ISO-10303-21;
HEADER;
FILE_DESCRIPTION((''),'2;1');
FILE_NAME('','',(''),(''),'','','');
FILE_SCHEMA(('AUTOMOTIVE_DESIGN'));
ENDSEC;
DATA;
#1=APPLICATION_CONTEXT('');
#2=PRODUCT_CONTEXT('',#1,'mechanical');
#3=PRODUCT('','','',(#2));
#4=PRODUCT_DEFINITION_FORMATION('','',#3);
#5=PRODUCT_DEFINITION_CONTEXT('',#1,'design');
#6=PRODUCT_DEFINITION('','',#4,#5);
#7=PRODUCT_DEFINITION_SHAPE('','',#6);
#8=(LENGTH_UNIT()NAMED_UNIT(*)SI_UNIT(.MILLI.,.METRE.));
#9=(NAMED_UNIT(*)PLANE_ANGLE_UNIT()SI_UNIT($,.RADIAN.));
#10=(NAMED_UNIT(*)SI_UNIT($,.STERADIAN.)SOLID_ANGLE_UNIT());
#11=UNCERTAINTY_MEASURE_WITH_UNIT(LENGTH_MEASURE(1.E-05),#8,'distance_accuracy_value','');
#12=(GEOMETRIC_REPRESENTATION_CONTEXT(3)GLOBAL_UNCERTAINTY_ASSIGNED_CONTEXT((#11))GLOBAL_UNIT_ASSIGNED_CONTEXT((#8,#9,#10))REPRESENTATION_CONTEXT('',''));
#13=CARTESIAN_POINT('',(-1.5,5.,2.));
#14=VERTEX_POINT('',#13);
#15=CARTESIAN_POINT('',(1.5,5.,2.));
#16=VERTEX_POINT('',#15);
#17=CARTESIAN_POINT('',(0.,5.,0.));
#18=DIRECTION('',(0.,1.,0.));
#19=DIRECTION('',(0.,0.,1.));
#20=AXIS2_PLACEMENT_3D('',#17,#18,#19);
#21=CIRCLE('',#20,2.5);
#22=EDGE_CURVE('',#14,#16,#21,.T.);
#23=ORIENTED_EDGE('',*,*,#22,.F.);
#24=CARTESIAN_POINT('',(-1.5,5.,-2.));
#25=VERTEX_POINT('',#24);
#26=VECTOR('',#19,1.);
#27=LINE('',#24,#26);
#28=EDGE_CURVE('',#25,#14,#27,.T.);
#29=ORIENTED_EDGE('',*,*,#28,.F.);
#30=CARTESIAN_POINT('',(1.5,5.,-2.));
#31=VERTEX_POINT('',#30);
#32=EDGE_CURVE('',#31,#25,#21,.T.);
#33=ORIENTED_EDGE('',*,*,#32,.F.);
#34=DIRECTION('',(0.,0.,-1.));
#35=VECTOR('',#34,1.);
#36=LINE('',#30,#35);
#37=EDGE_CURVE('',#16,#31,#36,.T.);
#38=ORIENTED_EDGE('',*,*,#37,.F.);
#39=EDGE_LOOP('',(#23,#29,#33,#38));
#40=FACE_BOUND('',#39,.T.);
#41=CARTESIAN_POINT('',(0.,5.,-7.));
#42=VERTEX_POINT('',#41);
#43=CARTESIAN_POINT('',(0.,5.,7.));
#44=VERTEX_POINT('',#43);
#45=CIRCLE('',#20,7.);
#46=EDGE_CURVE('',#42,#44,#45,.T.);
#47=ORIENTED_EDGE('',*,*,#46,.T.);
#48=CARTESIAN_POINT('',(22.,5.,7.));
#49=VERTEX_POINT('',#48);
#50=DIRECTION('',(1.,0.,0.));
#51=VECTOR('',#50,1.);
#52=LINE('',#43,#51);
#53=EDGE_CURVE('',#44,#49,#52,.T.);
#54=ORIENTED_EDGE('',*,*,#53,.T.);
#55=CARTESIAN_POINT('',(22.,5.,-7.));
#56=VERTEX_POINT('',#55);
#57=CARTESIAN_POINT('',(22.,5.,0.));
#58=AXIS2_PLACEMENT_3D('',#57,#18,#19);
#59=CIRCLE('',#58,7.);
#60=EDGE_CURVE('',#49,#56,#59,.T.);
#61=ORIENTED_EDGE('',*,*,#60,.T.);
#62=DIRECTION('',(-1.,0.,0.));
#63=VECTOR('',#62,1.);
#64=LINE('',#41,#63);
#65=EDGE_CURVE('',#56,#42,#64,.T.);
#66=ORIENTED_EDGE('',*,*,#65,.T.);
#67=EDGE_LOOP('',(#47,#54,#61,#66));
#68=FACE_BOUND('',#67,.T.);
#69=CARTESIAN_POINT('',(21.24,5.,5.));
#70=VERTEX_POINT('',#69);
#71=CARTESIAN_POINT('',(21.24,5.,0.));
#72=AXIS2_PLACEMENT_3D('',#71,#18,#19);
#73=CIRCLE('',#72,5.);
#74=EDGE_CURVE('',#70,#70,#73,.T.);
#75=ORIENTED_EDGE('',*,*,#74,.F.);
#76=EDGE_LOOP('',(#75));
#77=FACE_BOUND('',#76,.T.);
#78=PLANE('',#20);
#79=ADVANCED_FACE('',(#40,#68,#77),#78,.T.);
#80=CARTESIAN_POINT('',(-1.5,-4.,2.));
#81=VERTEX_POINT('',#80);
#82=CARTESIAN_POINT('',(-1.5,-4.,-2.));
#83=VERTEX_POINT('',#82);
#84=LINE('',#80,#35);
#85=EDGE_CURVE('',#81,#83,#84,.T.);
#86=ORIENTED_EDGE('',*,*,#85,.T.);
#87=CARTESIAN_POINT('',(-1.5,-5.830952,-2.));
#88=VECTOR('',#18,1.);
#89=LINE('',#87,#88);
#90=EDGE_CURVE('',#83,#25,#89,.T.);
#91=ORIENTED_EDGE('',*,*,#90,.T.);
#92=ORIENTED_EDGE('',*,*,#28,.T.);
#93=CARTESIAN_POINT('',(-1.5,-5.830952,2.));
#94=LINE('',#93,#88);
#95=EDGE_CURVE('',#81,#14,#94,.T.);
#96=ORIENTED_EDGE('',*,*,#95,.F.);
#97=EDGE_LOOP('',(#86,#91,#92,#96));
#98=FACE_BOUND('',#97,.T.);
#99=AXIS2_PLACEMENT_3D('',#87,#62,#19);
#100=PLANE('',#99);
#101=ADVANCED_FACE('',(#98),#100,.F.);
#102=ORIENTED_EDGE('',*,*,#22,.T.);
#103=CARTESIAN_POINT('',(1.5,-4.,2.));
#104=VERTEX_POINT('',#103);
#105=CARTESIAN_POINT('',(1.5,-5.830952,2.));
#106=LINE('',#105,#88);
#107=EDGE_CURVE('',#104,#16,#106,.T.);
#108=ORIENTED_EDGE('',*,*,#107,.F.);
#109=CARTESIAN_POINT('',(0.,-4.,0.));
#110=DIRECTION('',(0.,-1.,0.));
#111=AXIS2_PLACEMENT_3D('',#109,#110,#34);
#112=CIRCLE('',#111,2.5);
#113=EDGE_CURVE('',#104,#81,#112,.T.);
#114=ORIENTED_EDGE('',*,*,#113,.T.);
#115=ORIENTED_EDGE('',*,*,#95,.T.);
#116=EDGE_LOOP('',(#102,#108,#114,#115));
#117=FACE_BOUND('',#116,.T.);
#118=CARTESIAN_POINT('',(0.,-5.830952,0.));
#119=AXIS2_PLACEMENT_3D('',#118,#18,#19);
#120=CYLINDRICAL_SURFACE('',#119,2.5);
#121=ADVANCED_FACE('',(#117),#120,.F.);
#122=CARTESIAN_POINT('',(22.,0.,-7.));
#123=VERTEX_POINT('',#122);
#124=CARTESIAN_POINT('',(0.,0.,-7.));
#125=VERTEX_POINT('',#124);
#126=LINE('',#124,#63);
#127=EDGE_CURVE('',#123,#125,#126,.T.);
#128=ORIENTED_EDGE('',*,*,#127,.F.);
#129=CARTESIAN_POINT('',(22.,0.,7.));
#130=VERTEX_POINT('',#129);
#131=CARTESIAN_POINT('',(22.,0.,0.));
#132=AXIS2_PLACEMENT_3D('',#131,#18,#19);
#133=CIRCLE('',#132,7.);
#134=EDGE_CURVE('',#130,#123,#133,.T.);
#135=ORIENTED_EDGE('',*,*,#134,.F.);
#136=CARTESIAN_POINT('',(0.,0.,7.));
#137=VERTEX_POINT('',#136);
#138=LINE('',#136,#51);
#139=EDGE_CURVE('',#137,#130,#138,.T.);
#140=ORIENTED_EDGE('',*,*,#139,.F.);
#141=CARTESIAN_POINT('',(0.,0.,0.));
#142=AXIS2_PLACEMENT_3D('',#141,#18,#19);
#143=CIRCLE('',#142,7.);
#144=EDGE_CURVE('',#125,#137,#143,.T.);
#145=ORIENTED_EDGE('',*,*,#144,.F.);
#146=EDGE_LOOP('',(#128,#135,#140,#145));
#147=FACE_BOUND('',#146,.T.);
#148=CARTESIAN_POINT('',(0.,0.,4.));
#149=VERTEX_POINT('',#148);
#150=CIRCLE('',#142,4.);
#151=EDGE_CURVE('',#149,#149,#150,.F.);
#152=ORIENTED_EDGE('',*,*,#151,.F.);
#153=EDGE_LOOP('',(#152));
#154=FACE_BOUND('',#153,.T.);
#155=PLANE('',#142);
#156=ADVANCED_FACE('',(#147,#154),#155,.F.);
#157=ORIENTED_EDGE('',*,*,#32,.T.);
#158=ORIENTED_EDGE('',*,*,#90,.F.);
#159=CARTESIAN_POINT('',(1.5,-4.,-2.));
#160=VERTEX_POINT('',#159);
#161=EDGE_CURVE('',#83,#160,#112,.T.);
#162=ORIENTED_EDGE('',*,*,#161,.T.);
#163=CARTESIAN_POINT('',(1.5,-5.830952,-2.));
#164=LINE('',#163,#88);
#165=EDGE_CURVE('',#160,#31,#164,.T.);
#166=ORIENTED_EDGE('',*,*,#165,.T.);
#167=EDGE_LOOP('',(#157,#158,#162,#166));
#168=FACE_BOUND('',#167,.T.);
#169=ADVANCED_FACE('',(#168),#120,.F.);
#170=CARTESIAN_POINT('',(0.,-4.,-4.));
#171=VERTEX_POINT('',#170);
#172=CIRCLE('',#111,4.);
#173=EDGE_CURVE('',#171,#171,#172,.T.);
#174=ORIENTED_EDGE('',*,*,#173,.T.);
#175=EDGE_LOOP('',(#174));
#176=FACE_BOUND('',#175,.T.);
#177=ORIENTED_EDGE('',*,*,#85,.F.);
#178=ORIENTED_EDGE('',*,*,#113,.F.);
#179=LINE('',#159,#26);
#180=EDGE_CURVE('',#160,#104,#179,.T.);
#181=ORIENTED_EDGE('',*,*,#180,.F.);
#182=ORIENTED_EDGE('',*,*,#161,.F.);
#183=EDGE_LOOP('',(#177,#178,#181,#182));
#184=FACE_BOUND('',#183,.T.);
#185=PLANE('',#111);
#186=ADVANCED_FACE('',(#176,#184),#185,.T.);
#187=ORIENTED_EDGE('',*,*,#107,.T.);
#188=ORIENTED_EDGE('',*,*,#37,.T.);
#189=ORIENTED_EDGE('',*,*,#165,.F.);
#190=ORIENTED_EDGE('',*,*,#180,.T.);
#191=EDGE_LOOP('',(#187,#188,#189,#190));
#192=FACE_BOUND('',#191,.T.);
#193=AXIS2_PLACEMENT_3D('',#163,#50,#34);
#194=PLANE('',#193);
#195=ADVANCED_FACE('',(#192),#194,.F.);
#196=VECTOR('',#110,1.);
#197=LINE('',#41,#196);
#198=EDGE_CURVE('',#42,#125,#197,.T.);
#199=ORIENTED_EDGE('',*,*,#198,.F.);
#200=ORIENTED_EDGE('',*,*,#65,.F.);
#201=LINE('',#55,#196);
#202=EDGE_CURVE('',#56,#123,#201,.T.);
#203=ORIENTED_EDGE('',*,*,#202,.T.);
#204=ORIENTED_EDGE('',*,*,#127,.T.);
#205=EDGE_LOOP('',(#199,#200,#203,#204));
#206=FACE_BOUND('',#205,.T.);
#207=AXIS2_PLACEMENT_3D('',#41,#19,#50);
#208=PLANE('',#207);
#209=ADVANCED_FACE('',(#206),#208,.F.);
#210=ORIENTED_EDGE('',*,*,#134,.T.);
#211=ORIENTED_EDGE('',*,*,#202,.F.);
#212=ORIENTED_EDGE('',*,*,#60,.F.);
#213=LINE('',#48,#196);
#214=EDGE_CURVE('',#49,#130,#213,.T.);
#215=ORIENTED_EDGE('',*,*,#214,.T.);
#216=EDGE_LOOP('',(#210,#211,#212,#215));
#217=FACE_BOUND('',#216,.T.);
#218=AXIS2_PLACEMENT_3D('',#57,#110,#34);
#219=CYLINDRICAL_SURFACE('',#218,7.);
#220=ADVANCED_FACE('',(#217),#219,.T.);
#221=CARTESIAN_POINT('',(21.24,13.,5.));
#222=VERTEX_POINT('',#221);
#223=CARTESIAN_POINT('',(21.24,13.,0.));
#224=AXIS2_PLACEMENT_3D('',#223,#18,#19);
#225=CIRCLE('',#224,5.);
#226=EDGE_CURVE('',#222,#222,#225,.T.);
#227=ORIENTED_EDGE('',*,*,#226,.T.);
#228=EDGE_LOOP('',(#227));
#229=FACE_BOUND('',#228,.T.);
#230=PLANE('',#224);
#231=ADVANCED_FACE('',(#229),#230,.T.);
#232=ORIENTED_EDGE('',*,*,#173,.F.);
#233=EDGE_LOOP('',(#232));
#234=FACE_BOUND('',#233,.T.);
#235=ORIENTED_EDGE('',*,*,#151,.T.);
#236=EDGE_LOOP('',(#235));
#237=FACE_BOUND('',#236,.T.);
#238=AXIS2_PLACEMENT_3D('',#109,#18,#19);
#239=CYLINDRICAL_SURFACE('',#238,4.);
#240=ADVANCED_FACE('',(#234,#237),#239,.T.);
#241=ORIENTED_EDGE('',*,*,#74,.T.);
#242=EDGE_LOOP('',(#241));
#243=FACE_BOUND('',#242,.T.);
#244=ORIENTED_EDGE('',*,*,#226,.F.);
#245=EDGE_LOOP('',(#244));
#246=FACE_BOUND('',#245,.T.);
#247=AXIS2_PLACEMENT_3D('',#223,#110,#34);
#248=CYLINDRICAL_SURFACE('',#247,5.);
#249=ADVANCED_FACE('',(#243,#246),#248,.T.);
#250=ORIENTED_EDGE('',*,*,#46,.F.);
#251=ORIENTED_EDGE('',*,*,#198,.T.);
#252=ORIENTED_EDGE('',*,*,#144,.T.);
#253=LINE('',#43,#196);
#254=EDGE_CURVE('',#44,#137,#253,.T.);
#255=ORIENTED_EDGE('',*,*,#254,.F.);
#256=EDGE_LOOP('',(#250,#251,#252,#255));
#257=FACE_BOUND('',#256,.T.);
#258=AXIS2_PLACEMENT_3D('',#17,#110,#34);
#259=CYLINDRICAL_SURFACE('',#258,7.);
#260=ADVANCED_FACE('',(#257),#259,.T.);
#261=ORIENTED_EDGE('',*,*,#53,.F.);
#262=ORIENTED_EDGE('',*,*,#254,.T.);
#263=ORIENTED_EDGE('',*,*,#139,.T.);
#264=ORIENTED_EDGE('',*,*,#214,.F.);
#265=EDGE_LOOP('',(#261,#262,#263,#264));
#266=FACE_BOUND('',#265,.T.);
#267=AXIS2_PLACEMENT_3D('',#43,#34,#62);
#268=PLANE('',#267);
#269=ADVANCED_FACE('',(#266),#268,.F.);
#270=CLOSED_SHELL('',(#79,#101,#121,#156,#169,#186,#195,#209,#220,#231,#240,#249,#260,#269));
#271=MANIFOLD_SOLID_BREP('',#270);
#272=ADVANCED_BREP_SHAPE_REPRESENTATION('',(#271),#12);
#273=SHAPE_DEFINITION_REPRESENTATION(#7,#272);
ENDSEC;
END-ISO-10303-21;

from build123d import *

# Parameters (mm, degrees)
BOSS_EXTRUDE1_DEPTH = 5
CUT_EXTRUDE1_DEPTH  = 5
SKETCH3_R           = 5
BOSS_EXTRUDE2_DEPTH = 8
SKETCH5_R           = 4
BOSS_EXTRUDE4_DEPTH = 4


with BuildPart() as part:
    # Sketch1 → Boss-Extrude1 (new body)
    with BuildSketch(Plane(origin=(0, 0, 0), x_dir=(1, 0, 0), z_dir=(0, 1, 0))):
        with BuildLine():
            Line((0, 7), (22, 7))
            ThreePointArc((22, 7), (29, 0), (22, -7))
            Line((22, -7), (0, -7))
            ThreePointArc((0, -7), (-7, 0), (0, 7))
        make_face()
    extrude(amount=BOSS_EXTRUDE1_DEPTH)

    # Sketch2 → Cut-Extrude1 (cut)
    with BuildSketch(Plane(origin=(0, 5, 0), x_dir=(1, 0, 0), z_dir=(0, 1, 0))):
        with BuildLine():
            Line((1.5, 2), (1.5, -2))
            ThreePointArc((1.5, -2), (0, -2.5), (-1.5, -2))
            Line((-1.5, -2), (-1.5, 2))
            ThreePointArc((-1.5, 2), (0, 2.5), (1.5, 2))
        make_face()
    extrude(amount=-CUT_EXTRUDE1_DEPTH, mode=Mode.SUBTRACT)

    # Sketch3 → Boss-Extrude2 (add)
    with BuildSketch(Plane(origin=(0, 5, 0), x_dir=(1, 0, 0), z_dir=(0, 1, 0))):
        with Locations(Location((21.24, 0, 0), (0, 0, 270))):
            Circle(SKETCH3_R)
    extrude(amount=BOSS_EXTRUDE2_DEPTH)

    # Sketch5 → Boss-Extrude4 (add)
    with BuildSketch(Plane.XZ):
        with Locations(Location((0, 0, 0), (0, 0, 90))):
            Circle(SKETCH5_R)
        with BuildLine():
            Line((-1.5, 2), (-1.5, -2))
            ThreePointArc((-1.5, -2), (0, -2.5), (1.5, -2))
            Line((1.5, -2), (1.5, 2))
            ThreePointArc((1.5, 2), (0, 2.5), (-1.5, 2))
        make_face(mode=Mode.SUBTRACT)
    extrude(amount=BOSS_EXTRUDE4_DEPTH)


solid = part.part
